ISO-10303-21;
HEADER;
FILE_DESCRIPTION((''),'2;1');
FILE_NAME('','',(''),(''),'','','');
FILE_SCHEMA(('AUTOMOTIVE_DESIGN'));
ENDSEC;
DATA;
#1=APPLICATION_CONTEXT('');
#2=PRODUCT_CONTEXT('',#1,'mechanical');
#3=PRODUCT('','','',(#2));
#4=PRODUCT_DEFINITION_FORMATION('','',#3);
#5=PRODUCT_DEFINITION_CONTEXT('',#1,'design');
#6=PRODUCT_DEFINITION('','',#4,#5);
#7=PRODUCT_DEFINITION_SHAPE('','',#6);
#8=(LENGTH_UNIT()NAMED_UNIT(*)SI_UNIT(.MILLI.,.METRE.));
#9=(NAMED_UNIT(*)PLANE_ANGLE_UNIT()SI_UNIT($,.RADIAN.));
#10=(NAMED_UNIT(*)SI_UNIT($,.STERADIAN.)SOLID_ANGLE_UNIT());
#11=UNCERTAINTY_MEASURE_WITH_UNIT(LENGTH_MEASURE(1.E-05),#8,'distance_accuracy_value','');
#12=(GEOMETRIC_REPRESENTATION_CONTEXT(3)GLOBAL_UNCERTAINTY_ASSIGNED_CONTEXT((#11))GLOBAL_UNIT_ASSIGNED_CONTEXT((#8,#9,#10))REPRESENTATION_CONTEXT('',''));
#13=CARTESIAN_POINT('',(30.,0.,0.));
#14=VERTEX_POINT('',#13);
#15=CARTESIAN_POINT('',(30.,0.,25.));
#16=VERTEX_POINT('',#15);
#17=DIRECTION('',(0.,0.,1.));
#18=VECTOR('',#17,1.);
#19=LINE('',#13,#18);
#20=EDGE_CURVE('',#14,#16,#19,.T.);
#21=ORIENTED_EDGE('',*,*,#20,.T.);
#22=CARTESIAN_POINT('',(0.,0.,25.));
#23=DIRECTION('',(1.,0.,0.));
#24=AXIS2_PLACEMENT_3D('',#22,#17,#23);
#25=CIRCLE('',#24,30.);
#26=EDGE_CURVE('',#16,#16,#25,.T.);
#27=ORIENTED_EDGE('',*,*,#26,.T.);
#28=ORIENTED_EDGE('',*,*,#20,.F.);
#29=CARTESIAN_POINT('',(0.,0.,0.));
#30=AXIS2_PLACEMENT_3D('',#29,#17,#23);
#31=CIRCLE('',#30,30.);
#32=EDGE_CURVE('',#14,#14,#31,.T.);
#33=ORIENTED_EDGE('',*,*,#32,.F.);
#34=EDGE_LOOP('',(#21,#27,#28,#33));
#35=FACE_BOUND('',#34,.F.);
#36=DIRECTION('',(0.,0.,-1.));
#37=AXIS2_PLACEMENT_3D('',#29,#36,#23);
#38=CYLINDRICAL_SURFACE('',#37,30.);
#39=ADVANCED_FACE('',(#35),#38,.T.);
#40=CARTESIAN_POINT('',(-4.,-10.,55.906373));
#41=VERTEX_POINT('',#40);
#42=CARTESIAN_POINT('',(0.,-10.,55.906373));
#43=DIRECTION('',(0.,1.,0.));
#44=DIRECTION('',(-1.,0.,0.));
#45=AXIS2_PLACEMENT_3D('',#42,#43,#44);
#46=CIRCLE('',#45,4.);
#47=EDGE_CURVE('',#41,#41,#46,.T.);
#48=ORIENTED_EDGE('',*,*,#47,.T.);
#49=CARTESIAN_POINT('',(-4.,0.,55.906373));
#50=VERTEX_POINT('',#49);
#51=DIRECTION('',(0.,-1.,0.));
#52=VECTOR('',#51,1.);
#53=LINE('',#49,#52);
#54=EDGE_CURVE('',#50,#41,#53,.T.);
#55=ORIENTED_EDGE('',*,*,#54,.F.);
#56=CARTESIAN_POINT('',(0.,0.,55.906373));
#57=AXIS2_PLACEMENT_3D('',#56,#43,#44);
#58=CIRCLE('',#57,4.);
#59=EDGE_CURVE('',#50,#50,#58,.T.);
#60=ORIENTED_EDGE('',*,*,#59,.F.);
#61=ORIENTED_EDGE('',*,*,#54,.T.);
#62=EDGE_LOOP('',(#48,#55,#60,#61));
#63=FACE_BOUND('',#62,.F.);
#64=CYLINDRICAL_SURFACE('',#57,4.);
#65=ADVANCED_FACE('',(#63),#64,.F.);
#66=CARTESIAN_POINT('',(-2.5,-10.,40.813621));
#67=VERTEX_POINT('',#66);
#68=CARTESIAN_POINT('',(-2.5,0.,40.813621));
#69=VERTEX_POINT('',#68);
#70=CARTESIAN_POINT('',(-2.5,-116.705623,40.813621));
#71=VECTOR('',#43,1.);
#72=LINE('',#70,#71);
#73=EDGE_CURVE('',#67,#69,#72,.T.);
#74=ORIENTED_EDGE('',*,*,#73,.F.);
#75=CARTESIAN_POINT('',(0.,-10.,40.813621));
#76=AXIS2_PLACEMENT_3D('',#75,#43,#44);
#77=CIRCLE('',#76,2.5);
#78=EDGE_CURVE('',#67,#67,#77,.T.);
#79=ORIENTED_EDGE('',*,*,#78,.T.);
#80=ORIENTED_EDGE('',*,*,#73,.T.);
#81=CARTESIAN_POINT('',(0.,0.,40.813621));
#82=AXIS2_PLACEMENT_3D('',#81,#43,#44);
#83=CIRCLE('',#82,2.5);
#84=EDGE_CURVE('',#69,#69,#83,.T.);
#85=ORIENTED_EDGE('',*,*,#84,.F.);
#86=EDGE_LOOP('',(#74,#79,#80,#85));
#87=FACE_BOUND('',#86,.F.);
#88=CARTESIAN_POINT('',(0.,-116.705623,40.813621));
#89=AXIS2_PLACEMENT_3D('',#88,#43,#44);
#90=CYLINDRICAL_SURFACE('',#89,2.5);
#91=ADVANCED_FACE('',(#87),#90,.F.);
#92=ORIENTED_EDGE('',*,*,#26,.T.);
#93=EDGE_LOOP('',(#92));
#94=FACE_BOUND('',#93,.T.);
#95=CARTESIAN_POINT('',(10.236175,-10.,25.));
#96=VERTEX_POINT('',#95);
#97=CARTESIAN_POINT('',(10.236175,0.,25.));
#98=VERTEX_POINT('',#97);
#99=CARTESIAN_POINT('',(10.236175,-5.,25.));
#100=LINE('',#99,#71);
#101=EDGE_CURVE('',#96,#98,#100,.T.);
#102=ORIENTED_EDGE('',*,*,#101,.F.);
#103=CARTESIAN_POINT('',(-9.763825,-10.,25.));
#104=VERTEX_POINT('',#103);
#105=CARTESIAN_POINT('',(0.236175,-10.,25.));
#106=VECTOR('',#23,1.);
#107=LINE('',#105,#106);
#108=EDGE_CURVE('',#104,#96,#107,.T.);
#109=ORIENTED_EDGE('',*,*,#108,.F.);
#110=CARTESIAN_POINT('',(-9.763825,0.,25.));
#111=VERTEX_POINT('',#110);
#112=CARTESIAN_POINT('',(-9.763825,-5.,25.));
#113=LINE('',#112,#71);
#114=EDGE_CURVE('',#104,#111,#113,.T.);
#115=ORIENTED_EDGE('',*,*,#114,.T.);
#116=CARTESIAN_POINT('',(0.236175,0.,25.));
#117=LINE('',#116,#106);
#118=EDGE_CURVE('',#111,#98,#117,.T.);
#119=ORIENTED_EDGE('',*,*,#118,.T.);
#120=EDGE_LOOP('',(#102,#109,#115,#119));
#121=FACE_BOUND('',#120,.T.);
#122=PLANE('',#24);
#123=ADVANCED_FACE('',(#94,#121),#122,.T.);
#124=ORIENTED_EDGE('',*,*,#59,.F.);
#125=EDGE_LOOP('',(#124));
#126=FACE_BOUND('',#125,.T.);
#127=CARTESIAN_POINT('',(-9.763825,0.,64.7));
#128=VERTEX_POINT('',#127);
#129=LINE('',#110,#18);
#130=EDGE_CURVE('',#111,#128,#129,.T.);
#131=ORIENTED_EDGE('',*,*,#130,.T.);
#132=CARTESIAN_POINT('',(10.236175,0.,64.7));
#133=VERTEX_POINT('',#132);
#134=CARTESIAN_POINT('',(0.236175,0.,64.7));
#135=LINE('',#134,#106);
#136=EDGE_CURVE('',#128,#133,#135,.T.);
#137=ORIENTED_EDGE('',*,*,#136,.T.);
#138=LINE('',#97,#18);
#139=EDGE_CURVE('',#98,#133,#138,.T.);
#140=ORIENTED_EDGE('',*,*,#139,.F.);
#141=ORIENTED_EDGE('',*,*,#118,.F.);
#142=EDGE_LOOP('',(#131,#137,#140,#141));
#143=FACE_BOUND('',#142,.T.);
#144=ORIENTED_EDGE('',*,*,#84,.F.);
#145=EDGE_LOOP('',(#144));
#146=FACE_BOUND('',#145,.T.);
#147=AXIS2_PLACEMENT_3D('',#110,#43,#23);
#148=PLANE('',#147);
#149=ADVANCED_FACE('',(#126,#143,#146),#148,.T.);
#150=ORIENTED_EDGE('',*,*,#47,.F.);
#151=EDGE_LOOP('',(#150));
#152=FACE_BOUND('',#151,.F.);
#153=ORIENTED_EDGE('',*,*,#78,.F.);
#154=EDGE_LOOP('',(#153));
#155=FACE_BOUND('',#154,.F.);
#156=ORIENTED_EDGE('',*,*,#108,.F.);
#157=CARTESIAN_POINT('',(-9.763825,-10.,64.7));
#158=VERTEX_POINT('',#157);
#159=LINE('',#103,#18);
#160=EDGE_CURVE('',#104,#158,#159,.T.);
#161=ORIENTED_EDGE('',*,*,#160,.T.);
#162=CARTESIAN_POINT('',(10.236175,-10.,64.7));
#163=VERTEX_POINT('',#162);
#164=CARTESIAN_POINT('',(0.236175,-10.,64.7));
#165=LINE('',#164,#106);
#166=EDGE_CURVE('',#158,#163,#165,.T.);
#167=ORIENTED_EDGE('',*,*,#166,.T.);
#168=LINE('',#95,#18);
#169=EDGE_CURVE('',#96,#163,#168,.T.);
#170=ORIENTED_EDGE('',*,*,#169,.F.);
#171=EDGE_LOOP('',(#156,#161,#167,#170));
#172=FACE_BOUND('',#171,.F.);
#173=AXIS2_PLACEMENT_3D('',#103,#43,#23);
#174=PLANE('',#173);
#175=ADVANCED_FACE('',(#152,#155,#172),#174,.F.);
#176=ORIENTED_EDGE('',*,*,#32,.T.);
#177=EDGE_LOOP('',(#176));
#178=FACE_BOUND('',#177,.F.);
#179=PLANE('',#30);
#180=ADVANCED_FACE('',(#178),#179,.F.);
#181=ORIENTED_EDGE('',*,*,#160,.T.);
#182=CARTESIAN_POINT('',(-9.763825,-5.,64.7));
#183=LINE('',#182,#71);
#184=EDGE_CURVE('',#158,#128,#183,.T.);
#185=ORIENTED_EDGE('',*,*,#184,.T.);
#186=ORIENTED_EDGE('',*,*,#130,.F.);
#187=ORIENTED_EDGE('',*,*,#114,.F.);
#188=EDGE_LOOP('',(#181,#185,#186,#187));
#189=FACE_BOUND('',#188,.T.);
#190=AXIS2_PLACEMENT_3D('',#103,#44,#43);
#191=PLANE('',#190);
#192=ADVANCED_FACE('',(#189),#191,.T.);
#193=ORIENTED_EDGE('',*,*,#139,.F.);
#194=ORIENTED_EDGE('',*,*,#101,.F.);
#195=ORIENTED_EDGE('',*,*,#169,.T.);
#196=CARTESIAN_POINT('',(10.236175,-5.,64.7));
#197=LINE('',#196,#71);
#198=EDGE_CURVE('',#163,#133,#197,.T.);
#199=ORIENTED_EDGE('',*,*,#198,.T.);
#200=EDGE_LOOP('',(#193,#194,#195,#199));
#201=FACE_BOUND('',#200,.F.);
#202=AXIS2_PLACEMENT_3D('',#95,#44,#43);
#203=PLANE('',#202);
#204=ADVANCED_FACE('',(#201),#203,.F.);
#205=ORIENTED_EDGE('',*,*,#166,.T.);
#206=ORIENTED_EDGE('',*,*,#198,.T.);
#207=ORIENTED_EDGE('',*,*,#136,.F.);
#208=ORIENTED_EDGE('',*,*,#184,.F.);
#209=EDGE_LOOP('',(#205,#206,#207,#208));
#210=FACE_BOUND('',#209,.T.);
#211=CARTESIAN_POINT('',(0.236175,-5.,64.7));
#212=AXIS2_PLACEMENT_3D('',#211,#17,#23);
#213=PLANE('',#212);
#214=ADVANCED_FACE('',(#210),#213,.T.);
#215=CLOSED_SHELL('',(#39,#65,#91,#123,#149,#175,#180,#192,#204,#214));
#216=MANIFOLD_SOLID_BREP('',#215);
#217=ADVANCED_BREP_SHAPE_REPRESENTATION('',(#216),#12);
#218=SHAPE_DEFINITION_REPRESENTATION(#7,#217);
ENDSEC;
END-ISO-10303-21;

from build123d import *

# Parameters (mm, degrees)
F0_R     = 30
F1_DEPTH = 25
F2_W     = 20
F2_H     = 10
F3_DEPTH = 39.7
F4_R     = 4
F5_DEPTH = 41.2
F7_D     = 5


with BuildPart() as f1:
    # F0 (on Top) → F1 (new body)
    with BuildSketch(Plane.XY):
        Circle(F0_R)
    extrude(amount=F1_DEPTH)

    # F2 (on face) → F3 (join)
    with BuildSketch(Plane.XY.offset(25)):
        with Locations((0.236175, -5)):
            Rectangle(F2_W, F2_H)
    extrude(amount=F3_DEPTH)

    # F4 (on face) → F5 (cut)
    with BuildSketch(Plane(origin=(0, 0, 0), x_dir=(-1, 0, 0), z_dir=(0, 1, 0))):
        with Locations((0, 55.906373)):
            Circle(F4_R)
    extrude(amount=-F5_DEPTH, mode=Mode.SUBTRACT)

    # F7 (through all)
    with Locations(Plane.XZ.offset(10)):
        with Locations((0, 40.813621)):
            Hole(F7_D / 2)


solid = f1.part
